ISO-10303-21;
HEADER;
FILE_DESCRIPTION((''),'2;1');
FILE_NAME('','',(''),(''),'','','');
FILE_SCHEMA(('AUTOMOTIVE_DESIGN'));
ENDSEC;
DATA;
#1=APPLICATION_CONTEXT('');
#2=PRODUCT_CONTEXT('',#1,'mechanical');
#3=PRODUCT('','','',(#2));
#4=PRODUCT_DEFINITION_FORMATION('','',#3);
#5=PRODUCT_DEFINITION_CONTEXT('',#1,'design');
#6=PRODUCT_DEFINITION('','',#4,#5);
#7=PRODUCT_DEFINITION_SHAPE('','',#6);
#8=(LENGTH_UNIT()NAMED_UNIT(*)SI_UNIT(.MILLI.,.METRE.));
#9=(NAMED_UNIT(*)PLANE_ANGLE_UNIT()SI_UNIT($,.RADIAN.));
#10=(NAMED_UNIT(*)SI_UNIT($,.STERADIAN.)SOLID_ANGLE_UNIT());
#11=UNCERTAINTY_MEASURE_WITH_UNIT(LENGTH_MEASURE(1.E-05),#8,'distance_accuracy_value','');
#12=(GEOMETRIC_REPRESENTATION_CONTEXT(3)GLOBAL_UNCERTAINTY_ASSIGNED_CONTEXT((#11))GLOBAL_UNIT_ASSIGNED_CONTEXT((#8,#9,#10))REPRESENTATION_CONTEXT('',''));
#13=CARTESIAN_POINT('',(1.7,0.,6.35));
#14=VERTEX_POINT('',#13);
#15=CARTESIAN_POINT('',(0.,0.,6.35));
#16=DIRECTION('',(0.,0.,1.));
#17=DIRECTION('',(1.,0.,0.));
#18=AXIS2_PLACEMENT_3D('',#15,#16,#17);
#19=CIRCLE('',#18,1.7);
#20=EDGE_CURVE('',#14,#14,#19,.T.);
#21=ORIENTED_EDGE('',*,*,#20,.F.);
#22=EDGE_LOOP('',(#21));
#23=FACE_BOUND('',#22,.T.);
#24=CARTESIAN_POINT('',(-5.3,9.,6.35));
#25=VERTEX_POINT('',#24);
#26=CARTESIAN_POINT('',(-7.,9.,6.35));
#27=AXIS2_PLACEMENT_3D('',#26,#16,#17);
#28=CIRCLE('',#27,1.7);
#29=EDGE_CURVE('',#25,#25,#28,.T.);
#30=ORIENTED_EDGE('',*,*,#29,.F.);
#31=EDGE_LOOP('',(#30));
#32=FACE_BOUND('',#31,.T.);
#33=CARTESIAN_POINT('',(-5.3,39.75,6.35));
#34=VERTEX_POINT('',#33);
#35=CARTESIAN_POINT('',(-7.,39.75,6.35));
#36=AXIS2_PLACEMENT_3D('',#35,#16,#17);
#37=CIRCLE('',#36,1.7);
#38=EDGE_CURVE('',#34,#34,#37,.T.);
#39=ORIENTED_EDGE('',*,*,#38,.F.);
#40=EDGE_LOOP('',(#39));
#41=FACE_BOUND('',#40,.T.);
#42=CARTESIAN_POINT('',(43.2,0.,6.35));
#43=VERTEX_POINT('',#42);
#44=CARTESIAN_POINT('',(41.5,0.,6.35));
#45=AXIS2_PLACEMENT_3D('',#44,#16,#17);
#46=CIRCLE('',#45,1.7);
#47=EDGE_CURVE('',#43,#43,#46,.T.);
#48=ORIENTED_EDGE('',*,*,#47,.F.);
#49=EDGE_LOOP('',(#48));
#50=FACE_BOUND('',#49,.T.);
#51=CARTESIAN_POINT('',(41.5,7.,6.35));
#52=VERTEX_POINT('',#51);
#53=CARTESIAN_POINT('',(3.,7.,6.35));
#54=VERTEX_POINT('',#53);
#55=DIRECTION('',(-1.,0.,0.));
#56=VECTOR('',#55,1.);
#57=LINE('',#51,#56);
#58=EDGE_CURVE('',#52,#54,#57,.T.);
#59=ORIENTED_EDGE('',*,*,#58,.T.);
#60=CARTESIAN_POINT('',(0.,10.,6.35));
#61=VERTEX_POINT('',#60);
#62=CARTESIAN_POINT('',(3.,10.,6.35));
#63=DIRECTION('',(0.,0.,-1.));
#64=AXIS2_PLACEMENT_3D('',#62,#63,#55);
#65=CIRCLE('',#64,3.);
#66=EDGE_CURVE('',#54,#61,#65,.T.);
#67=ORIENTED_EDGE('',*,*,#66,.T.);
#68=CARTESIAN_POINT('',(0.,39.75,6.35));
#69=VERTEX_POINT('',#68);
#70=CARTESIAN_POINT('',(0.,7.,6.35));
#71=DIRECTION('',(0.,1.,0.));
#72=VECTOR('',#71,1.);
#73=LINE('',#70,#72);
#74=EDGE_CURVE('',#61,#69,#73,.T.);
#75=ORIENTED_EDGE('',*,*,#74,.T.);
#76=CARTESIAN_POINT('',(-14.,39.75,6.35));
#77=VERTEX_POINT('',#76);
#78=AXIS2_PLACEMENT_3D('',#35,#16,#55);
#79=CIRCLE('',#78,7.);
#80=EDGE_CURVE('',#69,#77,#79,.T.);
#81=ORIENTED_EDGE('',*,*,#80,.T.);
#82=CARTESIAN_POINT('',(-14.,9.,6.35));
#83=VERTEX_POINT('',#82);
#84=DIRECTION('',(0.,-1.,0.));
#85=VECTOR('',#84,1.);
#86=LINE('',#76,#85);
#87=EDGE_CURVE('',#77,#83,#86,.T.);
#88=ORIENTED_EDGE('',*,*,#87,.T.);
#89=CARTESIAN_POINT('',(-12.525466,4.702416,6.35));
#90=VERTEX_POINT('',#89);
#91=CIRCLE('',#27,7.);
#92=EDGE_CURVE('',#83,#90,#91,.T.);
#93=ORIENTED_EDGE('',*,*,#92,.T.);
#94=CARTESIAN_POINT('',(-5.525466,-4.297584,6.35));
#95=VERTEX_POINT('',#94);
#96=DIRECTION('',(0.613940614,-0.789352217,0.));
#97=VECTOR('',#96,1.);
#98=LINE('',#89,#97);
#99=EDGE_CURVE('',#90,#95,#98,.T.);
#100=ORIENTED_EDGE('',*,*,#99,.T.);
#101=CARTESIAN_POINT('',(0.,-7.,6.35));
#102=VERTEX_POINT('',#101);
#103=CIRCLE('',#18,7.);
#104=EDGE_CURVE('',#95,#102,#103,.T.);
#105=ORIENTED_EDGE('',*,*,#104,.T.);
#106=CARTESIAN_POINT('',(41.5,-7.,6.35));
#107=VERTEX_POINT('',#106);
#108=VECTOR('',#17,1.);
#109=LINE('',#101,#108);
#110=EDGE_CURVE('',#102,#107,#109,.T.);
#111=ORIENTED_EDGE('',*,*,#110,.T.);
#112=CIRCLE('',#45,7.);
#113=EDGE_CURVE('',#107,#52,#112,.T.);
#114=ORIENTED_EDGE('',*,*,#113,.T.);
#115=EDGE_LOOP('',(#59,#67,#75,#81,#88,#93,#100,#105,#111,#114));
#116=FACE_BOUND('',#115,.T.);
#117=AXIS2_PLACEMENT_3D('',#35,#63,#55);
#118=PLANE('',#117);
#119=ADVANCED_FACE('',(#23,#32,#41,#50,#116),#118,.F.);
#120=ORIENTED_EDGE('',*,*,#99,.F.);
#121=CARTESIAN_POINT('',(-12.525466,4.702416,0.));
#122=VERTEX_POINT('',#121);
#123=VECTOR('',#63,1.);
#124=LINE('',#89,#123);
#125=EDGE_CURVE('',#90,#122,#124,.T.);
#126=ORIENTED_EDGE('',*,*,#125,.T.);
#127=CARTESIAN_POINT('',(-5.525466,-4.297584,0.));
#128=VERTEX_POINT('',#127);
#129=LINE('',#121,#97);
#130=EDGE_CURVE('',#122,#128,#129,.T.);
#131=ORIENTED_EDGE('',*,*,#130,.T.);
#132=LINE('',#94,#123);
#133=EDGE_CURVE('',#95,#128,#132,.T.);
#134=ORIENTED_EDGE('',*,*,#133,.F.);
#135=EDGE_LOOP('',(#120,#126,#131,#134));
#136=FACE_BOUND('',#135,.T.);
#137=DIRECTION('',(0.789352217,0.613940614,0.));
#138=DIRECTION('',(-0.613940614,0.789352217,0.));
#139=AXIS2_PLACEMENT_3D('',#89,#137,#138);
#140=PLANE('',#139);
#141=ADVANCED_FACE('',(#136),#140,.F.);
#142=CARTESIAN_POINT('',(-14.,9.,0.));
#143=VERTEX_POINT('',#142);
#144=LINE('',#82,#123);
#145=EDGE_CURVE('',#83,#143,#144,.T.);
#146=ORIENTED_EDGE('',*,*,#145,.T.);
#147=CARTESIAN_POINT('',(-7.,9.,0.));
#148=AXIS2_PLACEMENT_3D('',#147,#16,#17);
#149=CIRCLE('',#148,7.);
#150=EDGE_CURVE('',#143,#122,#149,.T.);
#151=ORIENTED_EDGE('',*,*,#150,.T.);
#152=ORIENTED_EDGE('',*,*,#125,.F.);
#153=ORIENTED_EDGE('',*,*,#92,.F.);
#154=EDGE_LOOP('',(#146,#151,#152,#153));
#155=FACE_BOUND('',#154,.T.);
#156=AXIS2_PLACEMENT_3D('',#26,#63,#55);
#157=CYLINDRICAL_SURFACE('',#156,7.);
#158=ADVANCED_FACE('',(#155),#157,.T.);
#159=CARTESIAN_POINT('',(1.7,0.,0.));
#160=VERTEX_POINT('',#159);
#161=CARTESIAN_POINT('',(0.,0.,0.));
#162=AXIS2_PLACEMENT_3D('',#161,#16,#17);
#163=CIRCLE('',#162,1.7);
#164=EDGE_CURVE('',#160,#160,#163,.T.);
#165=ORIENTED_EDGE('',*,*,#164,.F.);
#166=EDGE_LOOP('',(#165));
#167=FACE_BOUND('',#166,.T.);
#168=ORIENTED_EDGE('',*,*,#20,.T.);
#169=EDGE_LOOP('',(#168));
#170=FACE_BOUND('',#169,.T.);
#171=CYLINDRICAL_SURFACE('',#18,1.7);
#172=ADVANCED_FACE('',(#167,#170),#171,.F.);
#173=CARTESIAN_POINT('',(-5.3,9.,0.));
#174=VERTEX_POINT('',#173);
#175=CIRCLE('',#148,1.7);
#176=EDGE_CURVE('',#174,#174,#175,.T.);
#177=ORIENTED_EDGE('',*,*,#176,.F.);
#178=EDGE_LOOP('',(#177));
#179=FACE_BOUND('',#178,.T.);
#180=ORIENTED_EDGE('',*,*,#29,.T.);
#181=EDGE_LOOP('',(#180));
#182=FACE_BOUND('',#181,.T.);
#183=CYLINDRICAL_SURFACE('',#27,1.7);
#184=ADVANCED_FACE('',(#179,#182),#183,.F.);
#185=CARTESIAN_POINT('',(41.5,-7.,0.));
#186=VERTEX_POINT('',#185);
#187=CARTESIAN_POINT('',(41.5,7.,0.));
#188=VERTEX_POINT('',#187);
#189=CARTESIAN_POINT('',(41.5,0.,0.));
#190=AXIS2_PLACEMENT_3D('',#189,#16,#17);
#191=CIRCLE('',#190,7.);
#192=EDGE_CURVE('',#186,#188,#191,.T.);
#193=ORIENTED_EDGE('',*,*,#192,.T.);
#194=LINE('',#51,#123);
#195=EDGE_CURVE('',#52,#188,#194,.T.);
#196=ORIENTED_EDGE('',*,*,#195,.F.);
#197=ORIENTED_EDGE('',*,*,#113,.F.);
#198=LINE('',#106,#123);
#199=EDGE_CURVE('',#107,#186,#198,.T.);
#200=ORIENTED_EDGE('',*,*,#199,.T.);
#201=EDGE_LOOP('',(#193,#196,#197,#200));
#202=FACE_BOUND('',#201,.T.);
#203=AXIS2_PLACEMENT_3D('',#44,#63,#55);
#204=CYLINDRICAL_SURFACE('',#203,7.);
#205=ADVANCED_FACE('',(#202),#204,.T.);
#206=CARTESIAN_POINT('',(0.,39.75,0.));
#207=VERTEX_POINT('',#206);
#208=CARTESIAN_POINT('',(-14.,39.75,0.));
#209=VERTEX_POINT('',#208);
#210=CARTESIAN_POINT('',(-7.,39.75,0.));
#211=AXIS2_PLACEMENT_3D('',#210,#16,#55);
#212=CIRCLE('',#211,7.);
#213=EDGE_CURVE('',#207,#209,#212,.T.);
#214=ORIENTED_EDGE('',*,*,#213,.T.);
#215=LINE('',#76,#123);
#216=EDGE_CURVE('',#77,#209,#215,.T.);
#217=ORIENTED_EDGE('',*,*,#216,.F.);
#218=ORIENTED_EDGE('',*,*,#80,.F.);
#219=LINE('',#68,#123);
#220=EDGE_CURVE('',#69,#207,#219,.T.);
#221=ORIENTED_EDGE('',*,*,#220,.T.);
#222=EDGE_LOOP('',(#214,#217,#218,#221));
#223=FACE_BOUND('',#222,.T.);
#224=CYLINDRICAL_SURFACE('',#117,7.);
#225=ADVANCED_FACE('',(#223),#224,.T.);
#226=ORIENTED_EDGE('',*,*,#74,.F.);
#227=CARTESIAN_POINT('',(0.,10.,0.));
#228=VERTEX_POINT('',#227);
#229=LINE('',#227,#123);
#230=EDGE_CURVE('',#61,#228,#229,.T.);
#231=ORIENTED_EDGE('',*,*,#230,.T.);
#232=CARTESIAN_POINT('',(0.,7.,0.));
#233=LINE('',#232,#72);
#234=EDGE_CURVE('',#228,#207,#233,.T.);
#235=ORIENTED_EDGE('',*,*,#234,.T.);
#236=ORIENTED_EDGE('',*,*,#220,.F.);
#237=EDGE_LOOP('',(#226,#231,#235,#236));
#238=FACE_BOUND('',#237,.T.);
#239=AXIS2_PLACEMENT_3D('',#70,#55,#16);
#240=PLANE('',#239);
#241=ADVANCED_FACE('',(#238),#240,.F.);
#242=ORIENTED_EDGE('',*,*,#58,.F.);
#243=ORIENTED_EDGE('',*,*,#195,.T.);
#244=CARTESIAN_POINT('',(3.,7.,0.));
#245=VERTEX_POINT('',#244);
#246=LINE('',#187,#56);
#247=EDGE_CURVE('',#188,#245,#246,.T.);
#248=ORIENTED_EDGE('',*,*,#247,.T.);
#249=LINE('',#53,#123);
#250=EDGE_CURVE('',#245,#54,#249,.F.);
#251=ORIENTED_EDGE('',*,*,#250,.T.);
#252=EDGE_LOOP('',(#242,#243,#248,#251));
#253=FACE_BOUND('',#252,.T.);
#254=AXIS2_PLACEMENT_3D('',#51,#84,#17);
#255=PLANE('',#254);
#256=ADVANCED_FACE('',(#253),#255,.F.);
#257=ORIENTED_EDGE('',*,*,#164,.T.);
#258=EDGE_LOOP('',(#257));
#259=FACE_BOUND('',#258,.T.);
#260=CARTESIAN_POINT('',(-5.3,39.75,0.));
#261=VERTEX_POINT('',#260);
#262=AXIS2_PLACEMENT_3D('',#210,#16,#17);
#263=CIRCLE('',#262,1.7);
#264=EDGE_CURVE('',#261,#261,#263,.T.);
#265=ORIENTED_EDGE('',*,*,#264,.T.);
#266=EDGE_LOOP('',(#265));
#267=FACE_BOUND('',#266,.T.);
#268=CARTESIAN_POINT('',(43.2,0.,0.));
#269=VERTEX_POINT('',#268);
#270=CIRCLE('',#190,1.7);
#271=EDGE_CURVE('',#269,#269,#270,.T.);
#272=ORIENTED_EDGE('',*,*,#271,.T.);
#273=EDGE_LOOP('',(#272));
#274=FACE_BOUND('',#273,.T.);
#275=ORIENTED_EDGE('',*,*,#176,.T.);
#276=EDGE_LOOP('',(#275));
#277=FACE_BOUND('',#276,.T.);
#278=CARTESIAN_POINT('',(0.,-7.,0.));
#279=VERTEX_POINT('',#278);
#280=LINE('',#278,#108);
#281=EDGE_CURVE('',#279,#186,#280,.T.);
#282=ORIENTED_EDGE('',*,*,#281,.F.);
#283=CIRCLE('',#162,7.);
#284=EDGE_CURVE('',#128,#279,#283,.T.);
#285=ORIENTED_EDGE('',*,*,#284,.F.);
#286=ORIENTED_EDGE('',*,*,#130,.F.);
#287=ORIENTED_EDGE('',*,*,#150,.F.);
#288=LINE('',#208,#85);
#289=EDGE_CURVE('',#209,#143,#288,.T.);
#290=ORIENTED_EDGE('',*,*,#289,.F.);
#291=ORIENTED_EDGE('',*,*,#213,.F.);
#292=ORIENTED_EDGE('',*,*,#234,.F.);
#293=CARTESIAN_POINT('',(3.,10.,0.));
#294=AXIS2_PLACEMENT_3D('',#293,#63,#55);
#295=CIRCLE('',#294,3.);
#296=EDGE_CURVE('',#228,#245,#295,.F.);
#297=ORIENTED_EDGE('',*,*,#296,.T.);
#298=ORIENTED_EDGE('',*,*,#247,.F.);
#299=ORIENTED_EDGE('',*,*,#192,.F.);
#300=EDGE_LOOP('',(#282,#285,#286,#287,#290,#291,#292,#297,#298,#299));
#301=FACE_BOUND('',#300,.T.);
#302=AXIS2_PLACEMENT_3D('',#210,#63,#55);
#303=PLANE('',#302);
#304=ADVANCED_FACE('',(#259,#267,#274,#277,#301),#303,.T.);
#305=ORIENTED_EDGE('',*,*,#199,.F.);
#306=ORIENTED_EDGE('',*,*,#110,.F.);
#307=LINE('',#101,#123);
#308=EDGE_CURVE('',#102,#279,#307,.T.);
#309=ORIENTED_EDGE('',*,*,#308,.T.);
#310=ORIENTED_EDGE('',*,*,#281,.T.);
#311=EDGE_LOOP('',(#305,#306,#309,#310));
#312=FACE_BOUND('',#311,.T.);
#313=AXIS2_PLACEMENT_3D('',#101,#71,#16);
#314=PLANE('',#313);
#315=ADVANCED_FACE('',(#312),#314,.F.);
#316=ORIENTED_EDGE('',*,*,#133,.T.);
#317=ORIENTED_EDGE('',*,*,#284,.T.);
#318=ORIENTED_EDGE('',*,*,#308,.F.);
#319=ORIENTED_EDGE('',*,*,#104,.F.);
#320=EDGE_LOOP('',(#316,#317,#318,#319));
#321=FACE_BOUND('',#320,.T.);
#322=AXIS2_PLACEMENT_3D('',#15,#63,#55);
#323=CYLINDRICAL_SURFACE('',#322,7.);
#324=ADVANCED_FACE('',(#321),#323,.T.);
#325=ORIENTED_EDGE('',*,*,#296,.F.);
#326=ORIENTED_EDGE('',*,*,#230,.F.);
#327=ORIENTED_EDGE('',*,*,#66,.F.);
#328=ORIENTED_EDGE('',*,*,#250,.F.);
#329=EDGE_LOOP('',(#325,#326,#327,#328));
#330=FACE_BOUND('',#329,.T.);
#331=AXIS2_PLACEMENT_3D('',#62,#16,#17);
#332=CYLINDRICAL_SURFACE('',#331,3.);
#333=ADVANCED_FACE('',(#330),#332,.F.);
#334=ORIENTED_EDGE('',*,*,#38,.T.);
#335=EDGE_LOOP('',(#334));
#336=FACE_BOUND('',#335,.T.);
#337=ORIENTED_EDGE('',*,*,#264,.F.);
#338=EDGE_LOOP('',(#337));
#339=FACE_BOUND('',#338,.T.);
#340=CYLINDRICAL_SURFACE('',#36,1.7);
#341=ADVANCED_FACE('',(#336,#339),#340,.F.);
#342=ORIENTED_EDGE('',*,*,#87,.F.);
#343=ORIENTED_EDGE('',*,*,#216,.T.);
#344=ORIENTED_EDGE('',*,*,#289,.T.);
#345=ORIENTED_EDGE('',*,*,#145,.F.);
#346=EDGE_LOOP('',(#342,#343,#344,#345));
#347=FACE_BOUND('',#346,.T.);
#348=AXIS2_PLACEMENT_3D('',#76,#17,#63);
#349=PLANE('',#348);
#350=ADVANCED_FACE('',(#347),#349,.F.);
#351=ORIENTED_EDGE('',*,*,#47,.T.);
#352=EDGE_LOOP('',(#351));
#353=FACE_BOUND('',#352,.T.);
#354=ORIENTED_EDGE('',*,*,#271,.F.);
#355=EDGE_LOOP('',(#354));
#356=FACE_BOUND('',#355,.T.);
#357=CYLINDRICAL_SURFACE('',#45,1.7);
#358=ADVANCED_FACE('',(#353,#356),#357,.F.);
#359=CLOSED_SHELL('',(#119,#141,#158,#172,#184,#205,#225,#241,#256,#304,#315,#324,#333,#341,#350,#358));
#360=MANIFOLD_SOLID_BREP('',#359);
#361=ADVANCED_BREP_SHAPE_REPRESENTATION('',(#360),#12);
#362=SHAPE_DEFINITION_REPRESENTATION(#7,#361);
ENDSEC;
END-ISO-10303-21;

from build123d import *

# Parameters (mm, degrees)
BOSS_EXTRUDE1_DEPTH  = 6.35
FILLET1_R            = 3
M3_CLEARANCE_HOLE1_D = 3.4


with BuildPart() as part:
    # Sketch2 → Boss-Extrude1 (new body)
    with BuildSketch(Plane.XY):
        with BuildLine():
            Line((-14, 39.75), (-14, 9))
            ThreePointArc((-14, 9), (-13.621112393, 6.728245023), (-12.525465522, 4.702415705))
            Line((-12.525465522, 4.702415705), (-5.525465522, -4.297584295))
            ThreePointArc((-5.525465522, -4.297584295), (-3.075460123, -6.288206822), (0, -7))
            Line((0, -7), (41.5, -7))
            ThreePointArc((41.5, -7), (48.5, 0), (41.5, 7))
            Line((41.5, 7), (0, 7))
            Line((0, 7), (0, 39.75))
            ThreePointArc((0, 39.75), (-7, 46.75), (-14, 39.75))
        make_face()
    extrude(amount=BOSS_EXTRUDE1_DEPTH)

    # Fillet1
    fillet1_edges = [part.edges().sort_by_distance(p)[0] for p in [
        (0, 7, 3.175),
    ]]
    fillet(fillet1_edges, radius=FILLET1_R)

    # M3 Clearance Hole1 (through all)
    with Locations(Plane.XY.offset(6.35)):
        with Locations((-7, 39.75), (-7, 9), (0, 0), (41.5, 0)):
            Hole(M3_CLEARANCE_HOLE1_D / 2)


solid = part.part
